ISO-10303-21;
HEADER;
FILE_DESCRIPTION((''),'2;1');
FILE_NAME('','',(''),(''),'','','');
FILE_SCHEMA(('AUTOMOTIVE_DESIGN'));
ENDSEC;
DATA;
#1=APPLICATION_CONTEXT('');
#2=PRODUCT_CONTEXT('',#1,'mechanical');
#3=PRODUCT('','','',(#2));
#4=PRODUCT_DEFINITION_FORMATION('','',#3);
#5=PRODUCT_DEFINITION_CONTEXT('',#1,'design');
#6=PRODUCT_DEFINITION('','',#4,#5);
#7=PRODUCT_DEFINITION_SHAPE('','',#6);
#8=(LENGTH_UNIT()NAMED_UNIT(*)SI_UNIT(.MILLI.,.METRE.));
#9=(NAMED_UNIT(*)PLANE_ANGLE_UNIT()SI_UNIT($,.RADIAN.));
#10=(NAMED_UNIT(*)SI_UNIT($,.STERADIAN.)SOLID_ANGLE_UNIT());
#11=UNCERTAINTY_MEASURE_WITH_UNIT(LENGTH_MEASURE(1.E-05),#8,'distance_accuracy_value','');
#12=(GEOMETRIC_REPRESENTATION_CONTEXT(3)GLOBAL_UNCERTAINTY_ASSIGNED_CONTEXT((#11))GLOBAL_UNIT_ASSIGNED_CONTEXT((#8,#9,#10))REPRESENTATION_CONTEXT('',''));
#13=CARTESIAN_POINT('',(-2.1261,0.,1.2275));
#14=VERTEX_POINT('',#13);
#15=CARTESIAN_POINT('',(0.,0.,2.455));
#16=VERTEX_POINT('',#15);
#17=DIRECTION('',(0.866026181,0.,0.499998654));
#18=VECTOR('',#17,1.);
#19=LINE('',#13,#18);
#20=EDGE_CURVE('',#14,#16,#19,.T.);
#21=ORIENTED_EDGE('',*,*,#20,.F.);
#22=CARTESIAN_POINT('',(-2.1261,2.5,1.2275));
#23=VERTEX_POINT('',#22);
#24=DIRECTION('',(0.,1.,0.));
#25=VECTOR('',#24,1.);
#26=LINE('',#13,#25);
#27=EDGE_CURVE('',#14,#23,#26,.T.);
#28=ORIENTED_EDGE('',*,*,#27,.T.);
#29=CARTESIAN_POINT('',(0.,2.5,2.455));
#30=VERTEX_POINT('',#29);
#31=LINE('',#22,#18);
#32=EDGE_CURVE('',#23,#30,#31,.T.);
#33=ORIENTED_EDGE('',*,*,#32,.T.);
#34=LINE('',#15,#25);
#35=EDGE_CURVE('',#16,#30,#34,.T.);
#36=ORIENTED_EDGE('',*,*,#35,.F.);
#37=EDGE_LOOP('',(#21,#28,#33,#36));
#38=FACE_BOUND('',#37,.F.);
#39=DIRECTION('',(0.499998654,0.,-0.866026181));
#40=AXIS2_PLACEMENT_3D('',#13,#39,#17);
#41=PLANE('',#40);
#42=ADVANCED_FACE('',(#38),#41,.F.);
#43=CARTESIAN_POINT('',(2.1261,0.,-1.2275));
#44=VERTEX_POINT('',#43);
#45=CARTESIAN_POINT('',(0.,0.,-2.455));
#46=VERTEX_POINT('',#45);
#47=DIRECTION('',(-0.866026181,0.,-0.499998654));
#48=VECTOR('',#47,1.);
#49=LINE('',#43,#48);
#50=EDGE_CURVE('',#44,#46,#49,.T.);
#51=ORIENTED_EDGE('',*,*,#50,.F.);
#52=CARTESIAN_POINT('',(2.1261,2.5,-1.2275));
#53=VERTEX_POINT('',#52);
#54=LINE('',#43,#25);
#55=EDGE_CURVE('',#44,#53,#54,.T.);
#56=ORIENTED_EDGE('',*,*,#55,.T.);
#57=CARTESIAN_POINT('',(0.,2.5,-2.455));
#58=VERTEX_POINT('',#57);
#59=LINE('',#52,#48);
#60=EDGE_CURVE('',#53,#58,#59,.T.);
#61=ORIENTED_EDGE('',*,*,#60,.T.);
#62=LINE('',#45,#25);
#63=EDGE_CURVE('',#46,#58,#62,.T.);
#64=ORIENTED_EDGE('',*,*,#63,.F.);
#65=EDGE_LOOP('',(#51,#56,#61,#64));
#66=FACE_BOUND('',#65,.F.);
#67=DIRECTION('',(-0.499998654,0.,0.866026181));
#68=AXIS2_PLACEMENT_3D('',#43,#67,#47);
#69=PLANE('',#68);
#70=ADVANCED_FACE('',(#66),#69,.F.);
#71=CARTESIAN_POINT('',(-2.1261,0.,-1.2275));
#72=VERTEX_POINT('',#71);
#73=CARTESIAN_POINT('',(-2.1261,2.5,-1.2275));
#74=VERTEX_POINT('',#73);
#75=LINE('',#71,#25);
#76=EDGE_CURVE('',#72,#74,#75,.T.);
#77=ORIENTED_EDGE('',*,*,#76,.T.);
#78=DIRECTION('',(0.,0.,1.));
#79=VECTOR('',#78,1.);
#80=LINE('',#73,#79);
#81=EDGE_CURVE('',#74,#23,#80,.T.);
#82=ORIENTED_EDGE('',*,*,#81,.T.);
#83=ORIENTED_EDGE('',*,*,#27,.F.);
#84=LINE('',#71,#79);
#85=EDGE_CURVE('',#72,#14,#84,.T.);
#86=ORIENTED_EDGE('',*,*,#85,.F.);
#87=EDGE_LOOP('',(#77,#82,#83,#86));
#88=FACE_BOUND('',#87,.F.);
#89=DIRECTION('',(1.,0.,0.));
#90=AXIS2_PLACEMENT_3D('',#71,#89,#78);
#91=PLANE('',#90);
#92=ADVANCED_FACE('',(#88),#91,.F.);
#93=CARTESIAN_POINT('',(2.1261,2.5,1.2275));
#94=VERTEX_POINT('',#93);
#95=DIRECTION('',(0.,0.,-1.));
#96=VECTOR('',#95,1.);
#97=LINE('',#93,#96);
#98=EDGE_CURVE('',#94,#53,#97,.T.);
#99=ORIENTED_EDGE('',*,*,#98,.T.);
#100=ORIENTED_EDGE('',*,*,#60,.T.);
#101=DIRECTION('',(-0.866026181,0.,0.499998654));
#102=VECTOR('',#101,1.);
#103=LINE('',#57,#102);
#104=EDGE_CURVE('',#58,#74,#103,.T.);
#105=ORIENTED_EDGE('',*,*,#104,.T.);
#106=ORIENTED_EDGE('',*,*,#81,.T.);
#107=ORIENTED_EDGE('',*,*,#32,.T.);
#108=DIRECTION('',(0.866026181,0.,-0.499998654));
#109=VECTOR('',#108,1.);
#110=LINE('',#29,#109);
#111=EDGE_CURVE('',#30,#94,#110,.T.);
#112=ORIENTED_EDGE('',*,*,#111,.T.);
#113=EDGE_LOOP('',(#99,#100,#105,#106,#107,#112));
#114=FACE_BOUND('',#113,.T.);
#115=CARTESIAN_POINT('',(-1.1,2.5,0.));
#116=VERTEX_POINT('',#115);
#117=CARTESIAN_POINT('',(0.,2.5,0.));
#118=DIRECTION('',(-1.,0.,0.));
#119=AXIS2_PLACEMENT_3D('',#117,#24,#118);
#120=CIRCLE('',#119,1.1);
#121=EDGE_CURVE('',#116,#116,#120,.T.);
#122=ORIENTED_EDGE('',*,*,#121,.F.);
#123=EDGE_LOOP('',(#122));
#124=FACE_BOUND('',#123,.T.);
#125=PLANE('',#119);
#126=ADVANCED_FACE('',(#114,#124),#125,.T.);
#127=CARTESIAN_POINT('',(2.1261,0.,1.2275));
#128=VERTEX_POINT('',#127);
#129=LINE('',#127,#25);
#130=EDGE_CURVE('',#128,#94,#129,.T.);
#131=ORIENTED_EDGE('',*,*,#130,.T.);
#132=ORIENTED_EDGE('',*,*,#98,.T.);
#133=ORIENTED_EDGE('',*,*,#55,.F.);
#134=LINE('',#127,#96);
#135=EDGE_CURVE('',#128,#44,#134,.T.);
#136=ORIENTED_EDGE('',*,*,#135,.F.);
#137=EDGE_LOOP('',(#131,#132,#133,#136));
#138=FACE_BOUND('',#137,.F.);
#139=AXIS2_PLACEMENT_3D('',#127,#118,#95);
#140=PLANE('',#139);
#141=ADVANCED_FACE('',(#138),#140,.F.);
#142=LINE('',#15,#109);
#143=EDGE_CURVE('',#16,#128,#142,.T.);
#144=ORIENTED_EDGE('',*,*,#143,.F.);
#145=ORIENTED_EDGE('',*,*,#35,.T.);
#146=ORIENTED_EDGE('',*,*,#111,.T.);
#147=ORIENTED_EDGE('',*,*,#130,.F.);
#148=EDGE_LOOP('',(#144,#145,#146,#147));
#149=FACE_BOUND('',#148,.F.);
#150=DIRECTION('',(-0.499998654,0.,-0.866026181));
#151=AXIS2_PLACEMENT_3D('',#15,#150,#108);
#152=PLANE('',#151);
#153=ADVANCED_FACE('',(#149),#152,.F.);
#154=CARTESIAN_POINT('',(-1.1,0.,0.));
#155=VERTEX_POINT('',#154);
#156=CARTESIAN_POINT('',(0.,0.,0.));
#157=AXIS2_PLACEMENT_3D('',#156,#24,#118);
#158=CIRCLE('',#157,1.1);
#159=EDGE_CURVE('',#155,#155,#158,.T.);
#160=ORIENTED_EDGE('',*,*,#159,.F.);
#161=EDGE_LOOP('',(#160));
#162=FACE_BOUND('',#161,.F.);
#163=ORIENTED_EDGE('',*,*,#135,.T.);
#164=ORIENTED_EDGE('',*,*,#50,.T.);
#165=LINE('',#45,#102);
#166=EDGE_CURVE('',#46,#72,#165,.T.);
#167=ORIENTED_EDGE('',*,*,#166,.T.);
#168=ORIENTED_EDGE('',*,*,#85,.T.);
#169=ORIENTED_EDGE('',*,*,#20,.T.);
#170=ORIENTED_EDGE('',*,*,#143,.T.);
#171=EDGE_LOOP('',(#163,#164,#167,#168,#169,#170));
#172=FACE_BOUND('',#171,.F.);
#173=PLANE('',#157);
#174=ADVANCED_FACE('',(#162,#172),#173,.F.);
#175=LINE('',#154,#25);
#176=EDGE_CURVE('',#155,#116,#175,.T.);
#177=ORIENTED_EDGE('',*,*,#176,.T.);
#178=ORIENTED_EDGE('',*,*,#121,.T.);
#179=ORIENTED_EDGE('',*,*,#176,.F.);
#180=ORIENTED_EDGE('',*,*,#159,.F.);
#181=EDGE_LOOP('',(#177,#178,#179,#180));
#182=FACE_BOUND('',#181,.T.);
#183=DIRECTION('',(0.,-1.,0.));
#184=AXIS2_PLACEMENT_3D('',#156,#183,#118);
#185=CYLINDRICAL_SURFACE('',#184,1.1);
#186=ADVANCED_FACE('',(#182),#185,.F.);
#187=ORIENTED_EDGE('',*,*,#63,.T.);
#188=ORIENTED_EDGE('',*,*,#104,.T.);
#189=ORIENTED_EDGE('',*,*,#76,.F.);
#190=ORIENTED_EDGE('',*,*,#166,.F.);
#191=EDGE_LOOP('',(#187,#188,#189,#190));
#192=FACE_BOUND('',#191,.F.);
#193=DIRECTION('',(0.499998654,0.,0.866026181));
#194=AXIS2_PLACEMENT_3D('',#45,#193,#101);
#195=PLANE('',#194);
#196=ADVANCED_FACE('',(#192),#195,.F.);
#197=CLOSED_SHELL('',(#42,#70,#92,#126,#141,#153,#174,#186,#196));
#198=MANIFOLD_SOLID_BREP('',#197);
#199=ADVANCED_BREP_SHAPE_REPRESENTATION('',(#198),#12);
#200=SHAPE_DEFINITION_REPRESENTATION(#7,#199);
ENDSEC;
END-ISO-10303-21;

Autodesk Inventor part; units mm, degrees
ref_plane "YZ Plane" through (0, 0, 0) normal (1, 0, 0) x (0, 1, 0)
ref_plane "XZ Plane" through (0, 0, 0) normal (0, 1, 0) x (-1, 0, 0)
ref_plane "XY Plane" through (0, 0, 0) normal (0, 0, 1) x (1, 0, 0)
sketch "Sketch1" plane through (0, 0, 0) normal (0, 1, 0) x (-1, 0, 0)
  circle A0 centre (0, 0) radius 2.455
  line L0 (0, -2.455) -> (2.1261, -1.2275)
  line L1 (2.1261, -1.2275) -> (2.1261, 1.2275)
  line L2 (2.1261, 1.2275) -> (0, 2.455)
  line L3 (0, 2.455) -> (-2.1261, 1.2275)
  line L4 (-2.1261, 1.2275) -> (-2.1261, -1.2275)
  line L5 (-2.1261, -1.2275) -> (0, -2.455)
  circle A1 centre (0, 0) radius 1.1
  dimension "d0" = 4.91
  dimension "d4" = 2.2
extrude "Extrusion1" add sketch "Sketch1" along normal blind 2.5 contours L1 L0 L5 L4 L3 L2
properties part number "Solid13_mother_m2" material "ABS Plastic"
